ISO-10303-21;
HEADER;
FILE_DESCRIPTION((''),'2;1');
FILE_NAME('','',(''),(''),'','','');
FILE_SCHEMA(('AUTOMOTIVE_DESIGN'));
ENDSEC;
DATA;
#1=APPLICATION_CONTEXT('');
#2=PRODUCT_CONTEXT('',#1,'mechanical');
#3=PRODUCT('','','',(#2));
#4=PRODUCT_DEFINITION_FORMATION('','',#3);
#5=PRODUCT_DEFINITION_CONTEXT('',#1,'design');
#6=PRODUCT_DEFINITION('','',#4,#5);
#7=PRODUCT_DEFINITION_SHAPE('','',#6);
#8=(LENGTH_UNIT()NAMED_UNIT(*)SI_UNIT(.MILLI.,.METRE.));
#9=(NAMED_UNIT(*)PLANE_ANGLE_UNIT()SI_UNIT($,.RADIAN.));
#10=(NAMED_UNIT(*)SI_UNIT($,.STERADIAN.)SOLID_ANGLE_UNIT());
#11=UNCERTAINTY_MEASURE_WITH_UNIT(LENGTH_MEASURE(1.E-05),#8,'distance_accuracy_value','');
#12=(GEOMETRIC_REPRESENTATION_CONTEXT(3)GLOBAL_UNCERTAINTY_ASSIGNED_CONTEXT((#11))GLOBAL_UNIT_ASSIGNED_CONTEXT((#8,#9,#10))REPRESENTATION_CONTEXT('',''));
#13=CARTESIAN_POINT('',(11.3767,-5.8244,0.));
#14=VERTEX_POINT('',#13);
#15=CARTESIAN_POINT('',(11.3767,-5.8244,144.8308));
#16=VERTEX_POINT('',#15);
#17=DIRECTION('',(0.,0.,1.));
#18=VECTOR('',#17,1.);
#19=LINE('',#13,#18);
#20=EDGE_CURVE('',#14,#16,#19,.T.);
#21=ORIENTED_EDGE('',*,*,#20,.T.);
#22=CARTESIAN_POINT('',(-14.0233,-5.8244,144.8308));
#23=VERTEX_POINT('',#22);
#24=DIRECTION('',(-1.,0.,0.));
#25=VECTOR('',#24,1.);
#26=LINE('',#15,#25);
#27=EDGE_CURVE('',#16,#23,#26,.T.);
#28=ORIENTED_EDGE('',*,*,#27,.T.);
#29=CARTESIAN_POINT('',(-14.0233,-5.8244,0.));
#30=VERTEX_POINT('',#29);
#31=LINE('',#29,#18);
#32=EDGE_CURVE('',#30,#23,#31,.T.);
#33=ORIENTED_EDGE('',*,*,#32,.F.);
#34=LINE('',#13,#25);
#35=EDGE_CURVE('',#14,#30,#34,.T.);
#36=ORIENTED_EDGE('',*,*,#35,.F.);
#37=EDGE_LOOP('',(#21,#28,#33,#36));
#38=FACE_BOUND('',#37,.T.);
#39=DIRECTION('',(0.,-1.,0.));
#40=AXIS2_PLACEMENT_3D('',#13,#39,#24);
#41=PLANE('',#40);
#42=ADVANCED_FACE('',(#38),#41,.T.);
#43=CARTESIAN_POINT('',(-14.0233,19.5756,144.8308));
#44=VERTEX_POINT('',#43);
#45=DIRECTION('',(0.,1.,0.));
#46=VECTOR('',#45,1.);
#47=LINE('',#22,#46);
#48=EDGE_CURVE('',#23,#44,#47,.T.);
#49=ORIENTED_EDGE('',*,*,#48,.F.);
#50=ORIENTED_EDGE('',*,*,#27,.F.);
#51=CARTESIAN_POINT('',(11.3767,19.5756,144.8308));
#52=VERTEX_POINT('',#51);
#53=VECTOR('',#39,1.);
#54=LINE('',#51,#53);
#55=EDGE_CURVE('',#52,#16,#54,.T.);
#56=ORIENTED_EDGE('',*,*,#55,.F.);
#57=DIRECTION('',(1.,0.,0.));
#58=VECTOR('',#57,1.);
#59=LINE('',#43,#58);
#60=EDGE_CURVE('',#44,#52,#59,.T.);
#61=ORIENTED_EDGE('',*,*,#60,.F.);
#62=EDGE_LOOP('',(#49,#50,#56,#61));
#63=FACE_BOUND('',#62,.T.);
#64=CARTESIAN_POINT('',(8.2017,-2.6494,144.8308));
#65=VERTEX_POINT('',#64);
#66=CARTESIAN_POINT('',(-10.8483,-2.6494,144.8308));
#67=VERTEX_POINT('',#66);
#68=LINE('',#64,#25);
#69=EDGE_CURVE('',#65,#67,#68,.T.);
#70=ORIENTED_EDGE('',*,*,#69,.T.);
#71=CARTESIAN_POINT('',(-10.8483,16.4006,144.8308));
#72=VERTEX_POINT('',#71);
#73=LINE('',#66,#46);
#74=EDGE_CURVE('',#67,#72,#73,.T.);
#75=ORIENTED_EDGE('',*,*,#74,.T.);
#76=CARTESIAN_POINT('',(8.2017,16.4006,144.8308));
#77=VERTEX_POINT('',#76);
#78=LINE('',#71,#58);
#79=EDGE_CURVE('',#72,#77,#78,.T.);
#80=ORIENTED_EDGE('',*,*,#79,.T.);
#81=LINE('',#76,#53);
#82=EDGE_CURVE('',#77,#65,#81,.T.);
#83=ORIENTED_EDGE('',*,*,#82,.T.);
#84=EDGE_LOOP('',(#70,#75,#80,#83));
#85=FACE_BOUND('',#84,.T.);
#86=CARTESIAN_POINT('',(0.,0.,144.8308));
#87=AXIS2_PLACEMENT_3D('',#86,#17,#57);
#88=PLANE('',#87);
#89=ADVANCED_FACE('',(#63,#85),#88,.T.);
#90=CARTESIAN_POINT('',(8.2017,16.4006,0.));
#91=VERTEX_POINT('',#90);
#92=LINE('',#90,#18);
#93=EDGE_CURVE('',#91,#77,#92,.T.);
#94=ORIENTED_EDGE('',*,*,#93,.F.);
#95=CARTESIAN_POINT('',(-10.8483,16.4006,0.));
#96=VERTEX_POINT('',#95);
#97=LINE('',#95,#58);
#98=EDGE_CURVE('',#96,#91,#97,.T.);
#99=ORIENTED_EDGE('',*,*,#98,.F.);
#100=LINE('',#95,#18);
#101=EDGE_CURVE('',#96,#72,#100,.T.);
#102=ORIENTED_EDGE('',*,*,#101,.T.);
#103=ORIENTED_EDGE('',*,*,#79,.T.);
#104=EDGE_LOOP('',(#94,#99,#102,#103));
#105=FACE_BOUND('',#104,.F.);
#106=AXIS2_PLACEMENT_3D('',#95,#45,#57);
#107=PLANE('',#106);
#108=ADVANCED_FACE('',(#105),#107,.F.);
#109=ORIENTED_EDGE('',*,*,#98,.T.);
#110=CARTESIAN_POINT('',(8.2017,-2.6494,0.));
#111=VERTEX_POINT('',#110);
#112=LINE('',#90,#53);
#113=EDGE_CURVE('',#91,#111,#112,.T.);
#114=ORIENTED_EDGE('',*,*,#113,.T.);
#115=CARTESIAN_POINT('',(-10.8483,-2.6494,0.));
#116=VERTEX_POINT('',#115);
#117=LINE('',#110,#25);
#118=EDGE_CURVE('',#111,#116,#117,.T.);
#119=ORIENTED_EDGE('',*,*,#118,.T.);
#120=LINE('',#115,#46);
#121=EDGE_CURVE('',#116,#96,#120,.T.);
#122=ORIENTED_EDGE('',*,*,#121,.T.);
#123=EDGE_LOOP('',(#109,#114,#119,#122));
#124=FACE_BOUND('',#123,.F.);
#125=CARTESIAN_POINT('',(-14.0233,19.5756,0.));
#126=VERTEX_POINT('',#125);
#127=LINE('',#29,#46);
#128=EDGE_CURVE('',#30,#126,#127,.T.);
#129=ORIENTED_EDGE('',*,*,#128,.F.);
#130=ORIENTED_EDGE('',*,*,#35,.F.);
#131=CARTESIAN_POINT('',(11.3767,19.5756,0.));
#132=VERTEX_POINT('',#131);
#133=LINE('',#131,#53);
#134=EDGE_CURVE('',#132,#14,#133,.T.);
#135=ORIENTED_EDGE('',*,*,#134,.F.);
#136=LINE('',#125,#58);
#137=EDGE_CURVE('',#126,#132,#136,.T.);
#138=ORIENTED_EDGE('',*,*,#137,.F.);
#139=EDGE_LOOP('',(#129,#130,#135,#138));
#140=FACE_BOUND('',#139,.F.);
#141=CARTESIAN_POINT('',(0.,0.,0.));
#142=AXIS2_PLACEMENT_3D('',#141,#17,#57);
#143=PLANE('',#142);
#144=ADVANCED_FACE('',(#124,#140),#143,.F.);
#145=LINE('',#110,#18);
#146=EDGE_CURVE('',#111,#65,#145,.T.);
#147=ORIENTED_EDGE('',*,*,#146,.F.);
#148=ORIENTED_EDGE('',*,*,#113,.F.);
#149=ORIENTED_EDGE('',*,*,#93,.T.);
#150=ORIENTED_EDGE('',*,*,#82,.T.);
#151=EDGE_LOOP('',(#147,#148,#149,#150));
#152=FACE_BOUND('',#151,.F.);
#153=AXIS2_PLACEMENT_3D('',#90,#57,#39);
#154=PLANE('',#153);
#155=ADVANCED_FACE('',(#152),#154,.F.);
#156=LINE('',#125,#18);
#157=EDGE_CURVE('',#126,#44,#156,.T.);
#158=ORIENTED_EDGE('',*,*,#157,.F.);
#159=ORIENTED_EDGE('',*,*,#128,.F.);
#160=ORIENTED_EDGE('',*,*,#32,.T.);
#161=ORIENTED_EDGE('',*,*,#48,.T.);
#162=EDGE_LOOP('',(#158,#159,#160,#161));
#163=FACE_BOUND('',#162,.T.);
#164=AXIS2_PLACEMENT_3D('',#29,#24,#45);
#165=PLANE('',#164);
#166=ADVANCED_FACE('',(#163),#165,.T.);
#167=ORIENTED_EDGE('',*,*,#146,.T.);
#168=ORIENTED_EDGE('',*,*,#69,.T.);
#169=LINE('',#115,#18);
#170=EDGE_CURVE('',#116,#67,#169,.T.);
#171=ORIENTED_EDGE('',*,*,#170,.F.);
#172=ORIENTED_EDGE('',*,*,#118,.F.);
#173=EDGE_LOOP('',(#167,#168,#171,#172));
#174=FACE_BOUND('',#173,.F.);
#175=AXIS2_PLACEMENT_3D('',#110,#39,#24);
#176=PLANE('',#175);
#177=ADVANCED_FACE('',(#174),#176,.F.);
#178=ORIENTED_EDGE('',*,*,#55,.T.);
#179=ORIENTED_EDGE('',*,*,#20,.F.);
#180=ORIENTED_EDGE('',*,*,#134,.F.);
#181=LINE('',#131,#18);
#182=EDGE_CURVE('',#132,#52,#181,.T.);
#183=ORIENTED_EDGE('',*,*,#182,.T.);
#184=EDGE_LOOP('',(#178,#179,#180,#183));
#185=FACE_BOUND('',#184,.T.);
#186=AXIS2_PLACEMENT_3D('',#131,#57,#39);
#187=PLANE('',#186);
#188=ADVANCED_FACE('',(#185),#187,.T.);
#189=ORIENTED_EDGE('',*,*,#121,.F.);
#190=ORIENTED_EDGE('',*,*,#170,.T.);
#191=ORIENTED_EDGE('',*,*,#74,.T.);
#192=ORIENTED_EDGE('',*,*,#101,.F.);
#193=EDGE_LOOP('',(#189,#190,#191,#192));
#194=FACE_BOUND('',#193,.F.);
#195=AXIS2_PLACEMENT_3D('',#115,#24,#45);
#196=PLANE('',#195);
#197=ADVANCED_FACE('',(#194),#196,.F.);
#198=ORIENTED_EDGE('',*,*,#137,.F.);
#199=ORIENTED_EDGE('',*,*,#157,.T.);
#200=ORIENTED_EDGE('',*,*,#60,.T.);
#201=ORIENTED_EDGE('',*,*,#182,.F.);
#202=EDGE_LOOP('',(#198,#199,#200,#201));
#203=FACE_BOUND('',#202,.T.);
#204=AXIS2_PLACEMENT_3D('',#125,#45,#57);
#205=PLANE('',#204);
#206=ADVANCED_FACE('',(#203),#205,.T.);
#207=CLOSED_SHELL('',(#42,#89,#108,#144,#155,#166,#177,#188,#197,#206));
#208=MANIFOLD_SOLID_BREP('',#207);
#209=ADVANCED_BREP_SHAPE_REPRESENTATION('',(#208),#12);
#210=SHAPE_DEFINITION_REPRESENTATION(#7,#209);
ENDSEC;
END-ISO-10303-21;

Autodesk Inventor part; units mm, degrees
ref_plane "YZ Plane" through (0, 0, 0) normal (1, 0, 0) x (0, 1, 0)
ref_plane "XZ Plane" through (0, 0, 0) normal (0, 1, 0) x (-1, 0, 0)
ref_plane "XY Plane" through (0, 0, 0) normal (0, 0, 1) x (1, 0, 0)
sketch "Sketch1" plane through (0, 0, 0) normal (0, 0, 1) x (1, 0, 0)
  line L0 (-14.0233, 19.5756) -> (11.3767, 19.5756)
  line L1 (11.3767, 19.5756) -> (11.3767, -5.8244)
  line L2 (11.3767, -5.8244) -> (-14.0233, -5.8244)
  line L3 (-14.0233, -5.8244) -> (-14.0233, 19.5756)
  line L4 (-10.8483, 16.4006) -> (8.2017, 16.4006)
  line L5 (8.2017, 16.4006) -> (8.2017, -2.6494)
  line L6 (8.2017, -2.6494) -> (-10.8483, -2.6494)
  line L7 (-10.8483, -2.6494) -> (-10.8483, 16.4006)
  point P0 (0, 0)
  dimension "d0" = 3.175
  dimension "d1" = 3.175
  dimension "d2" = 3.175
  dimension "d3" = 3.175
  dimension "d4" = 25.4
  dimension "d5" = 25.4
extrude "Extrusion1" add sketch "Sketch1" along normal blind 144.8308
equation "\"d1\" = d3"
equation "\"d2\" = d0"
equation "\"d3\" = d2"
equation "\"d5\" = d4"
properties part number "internalframeconnector"
